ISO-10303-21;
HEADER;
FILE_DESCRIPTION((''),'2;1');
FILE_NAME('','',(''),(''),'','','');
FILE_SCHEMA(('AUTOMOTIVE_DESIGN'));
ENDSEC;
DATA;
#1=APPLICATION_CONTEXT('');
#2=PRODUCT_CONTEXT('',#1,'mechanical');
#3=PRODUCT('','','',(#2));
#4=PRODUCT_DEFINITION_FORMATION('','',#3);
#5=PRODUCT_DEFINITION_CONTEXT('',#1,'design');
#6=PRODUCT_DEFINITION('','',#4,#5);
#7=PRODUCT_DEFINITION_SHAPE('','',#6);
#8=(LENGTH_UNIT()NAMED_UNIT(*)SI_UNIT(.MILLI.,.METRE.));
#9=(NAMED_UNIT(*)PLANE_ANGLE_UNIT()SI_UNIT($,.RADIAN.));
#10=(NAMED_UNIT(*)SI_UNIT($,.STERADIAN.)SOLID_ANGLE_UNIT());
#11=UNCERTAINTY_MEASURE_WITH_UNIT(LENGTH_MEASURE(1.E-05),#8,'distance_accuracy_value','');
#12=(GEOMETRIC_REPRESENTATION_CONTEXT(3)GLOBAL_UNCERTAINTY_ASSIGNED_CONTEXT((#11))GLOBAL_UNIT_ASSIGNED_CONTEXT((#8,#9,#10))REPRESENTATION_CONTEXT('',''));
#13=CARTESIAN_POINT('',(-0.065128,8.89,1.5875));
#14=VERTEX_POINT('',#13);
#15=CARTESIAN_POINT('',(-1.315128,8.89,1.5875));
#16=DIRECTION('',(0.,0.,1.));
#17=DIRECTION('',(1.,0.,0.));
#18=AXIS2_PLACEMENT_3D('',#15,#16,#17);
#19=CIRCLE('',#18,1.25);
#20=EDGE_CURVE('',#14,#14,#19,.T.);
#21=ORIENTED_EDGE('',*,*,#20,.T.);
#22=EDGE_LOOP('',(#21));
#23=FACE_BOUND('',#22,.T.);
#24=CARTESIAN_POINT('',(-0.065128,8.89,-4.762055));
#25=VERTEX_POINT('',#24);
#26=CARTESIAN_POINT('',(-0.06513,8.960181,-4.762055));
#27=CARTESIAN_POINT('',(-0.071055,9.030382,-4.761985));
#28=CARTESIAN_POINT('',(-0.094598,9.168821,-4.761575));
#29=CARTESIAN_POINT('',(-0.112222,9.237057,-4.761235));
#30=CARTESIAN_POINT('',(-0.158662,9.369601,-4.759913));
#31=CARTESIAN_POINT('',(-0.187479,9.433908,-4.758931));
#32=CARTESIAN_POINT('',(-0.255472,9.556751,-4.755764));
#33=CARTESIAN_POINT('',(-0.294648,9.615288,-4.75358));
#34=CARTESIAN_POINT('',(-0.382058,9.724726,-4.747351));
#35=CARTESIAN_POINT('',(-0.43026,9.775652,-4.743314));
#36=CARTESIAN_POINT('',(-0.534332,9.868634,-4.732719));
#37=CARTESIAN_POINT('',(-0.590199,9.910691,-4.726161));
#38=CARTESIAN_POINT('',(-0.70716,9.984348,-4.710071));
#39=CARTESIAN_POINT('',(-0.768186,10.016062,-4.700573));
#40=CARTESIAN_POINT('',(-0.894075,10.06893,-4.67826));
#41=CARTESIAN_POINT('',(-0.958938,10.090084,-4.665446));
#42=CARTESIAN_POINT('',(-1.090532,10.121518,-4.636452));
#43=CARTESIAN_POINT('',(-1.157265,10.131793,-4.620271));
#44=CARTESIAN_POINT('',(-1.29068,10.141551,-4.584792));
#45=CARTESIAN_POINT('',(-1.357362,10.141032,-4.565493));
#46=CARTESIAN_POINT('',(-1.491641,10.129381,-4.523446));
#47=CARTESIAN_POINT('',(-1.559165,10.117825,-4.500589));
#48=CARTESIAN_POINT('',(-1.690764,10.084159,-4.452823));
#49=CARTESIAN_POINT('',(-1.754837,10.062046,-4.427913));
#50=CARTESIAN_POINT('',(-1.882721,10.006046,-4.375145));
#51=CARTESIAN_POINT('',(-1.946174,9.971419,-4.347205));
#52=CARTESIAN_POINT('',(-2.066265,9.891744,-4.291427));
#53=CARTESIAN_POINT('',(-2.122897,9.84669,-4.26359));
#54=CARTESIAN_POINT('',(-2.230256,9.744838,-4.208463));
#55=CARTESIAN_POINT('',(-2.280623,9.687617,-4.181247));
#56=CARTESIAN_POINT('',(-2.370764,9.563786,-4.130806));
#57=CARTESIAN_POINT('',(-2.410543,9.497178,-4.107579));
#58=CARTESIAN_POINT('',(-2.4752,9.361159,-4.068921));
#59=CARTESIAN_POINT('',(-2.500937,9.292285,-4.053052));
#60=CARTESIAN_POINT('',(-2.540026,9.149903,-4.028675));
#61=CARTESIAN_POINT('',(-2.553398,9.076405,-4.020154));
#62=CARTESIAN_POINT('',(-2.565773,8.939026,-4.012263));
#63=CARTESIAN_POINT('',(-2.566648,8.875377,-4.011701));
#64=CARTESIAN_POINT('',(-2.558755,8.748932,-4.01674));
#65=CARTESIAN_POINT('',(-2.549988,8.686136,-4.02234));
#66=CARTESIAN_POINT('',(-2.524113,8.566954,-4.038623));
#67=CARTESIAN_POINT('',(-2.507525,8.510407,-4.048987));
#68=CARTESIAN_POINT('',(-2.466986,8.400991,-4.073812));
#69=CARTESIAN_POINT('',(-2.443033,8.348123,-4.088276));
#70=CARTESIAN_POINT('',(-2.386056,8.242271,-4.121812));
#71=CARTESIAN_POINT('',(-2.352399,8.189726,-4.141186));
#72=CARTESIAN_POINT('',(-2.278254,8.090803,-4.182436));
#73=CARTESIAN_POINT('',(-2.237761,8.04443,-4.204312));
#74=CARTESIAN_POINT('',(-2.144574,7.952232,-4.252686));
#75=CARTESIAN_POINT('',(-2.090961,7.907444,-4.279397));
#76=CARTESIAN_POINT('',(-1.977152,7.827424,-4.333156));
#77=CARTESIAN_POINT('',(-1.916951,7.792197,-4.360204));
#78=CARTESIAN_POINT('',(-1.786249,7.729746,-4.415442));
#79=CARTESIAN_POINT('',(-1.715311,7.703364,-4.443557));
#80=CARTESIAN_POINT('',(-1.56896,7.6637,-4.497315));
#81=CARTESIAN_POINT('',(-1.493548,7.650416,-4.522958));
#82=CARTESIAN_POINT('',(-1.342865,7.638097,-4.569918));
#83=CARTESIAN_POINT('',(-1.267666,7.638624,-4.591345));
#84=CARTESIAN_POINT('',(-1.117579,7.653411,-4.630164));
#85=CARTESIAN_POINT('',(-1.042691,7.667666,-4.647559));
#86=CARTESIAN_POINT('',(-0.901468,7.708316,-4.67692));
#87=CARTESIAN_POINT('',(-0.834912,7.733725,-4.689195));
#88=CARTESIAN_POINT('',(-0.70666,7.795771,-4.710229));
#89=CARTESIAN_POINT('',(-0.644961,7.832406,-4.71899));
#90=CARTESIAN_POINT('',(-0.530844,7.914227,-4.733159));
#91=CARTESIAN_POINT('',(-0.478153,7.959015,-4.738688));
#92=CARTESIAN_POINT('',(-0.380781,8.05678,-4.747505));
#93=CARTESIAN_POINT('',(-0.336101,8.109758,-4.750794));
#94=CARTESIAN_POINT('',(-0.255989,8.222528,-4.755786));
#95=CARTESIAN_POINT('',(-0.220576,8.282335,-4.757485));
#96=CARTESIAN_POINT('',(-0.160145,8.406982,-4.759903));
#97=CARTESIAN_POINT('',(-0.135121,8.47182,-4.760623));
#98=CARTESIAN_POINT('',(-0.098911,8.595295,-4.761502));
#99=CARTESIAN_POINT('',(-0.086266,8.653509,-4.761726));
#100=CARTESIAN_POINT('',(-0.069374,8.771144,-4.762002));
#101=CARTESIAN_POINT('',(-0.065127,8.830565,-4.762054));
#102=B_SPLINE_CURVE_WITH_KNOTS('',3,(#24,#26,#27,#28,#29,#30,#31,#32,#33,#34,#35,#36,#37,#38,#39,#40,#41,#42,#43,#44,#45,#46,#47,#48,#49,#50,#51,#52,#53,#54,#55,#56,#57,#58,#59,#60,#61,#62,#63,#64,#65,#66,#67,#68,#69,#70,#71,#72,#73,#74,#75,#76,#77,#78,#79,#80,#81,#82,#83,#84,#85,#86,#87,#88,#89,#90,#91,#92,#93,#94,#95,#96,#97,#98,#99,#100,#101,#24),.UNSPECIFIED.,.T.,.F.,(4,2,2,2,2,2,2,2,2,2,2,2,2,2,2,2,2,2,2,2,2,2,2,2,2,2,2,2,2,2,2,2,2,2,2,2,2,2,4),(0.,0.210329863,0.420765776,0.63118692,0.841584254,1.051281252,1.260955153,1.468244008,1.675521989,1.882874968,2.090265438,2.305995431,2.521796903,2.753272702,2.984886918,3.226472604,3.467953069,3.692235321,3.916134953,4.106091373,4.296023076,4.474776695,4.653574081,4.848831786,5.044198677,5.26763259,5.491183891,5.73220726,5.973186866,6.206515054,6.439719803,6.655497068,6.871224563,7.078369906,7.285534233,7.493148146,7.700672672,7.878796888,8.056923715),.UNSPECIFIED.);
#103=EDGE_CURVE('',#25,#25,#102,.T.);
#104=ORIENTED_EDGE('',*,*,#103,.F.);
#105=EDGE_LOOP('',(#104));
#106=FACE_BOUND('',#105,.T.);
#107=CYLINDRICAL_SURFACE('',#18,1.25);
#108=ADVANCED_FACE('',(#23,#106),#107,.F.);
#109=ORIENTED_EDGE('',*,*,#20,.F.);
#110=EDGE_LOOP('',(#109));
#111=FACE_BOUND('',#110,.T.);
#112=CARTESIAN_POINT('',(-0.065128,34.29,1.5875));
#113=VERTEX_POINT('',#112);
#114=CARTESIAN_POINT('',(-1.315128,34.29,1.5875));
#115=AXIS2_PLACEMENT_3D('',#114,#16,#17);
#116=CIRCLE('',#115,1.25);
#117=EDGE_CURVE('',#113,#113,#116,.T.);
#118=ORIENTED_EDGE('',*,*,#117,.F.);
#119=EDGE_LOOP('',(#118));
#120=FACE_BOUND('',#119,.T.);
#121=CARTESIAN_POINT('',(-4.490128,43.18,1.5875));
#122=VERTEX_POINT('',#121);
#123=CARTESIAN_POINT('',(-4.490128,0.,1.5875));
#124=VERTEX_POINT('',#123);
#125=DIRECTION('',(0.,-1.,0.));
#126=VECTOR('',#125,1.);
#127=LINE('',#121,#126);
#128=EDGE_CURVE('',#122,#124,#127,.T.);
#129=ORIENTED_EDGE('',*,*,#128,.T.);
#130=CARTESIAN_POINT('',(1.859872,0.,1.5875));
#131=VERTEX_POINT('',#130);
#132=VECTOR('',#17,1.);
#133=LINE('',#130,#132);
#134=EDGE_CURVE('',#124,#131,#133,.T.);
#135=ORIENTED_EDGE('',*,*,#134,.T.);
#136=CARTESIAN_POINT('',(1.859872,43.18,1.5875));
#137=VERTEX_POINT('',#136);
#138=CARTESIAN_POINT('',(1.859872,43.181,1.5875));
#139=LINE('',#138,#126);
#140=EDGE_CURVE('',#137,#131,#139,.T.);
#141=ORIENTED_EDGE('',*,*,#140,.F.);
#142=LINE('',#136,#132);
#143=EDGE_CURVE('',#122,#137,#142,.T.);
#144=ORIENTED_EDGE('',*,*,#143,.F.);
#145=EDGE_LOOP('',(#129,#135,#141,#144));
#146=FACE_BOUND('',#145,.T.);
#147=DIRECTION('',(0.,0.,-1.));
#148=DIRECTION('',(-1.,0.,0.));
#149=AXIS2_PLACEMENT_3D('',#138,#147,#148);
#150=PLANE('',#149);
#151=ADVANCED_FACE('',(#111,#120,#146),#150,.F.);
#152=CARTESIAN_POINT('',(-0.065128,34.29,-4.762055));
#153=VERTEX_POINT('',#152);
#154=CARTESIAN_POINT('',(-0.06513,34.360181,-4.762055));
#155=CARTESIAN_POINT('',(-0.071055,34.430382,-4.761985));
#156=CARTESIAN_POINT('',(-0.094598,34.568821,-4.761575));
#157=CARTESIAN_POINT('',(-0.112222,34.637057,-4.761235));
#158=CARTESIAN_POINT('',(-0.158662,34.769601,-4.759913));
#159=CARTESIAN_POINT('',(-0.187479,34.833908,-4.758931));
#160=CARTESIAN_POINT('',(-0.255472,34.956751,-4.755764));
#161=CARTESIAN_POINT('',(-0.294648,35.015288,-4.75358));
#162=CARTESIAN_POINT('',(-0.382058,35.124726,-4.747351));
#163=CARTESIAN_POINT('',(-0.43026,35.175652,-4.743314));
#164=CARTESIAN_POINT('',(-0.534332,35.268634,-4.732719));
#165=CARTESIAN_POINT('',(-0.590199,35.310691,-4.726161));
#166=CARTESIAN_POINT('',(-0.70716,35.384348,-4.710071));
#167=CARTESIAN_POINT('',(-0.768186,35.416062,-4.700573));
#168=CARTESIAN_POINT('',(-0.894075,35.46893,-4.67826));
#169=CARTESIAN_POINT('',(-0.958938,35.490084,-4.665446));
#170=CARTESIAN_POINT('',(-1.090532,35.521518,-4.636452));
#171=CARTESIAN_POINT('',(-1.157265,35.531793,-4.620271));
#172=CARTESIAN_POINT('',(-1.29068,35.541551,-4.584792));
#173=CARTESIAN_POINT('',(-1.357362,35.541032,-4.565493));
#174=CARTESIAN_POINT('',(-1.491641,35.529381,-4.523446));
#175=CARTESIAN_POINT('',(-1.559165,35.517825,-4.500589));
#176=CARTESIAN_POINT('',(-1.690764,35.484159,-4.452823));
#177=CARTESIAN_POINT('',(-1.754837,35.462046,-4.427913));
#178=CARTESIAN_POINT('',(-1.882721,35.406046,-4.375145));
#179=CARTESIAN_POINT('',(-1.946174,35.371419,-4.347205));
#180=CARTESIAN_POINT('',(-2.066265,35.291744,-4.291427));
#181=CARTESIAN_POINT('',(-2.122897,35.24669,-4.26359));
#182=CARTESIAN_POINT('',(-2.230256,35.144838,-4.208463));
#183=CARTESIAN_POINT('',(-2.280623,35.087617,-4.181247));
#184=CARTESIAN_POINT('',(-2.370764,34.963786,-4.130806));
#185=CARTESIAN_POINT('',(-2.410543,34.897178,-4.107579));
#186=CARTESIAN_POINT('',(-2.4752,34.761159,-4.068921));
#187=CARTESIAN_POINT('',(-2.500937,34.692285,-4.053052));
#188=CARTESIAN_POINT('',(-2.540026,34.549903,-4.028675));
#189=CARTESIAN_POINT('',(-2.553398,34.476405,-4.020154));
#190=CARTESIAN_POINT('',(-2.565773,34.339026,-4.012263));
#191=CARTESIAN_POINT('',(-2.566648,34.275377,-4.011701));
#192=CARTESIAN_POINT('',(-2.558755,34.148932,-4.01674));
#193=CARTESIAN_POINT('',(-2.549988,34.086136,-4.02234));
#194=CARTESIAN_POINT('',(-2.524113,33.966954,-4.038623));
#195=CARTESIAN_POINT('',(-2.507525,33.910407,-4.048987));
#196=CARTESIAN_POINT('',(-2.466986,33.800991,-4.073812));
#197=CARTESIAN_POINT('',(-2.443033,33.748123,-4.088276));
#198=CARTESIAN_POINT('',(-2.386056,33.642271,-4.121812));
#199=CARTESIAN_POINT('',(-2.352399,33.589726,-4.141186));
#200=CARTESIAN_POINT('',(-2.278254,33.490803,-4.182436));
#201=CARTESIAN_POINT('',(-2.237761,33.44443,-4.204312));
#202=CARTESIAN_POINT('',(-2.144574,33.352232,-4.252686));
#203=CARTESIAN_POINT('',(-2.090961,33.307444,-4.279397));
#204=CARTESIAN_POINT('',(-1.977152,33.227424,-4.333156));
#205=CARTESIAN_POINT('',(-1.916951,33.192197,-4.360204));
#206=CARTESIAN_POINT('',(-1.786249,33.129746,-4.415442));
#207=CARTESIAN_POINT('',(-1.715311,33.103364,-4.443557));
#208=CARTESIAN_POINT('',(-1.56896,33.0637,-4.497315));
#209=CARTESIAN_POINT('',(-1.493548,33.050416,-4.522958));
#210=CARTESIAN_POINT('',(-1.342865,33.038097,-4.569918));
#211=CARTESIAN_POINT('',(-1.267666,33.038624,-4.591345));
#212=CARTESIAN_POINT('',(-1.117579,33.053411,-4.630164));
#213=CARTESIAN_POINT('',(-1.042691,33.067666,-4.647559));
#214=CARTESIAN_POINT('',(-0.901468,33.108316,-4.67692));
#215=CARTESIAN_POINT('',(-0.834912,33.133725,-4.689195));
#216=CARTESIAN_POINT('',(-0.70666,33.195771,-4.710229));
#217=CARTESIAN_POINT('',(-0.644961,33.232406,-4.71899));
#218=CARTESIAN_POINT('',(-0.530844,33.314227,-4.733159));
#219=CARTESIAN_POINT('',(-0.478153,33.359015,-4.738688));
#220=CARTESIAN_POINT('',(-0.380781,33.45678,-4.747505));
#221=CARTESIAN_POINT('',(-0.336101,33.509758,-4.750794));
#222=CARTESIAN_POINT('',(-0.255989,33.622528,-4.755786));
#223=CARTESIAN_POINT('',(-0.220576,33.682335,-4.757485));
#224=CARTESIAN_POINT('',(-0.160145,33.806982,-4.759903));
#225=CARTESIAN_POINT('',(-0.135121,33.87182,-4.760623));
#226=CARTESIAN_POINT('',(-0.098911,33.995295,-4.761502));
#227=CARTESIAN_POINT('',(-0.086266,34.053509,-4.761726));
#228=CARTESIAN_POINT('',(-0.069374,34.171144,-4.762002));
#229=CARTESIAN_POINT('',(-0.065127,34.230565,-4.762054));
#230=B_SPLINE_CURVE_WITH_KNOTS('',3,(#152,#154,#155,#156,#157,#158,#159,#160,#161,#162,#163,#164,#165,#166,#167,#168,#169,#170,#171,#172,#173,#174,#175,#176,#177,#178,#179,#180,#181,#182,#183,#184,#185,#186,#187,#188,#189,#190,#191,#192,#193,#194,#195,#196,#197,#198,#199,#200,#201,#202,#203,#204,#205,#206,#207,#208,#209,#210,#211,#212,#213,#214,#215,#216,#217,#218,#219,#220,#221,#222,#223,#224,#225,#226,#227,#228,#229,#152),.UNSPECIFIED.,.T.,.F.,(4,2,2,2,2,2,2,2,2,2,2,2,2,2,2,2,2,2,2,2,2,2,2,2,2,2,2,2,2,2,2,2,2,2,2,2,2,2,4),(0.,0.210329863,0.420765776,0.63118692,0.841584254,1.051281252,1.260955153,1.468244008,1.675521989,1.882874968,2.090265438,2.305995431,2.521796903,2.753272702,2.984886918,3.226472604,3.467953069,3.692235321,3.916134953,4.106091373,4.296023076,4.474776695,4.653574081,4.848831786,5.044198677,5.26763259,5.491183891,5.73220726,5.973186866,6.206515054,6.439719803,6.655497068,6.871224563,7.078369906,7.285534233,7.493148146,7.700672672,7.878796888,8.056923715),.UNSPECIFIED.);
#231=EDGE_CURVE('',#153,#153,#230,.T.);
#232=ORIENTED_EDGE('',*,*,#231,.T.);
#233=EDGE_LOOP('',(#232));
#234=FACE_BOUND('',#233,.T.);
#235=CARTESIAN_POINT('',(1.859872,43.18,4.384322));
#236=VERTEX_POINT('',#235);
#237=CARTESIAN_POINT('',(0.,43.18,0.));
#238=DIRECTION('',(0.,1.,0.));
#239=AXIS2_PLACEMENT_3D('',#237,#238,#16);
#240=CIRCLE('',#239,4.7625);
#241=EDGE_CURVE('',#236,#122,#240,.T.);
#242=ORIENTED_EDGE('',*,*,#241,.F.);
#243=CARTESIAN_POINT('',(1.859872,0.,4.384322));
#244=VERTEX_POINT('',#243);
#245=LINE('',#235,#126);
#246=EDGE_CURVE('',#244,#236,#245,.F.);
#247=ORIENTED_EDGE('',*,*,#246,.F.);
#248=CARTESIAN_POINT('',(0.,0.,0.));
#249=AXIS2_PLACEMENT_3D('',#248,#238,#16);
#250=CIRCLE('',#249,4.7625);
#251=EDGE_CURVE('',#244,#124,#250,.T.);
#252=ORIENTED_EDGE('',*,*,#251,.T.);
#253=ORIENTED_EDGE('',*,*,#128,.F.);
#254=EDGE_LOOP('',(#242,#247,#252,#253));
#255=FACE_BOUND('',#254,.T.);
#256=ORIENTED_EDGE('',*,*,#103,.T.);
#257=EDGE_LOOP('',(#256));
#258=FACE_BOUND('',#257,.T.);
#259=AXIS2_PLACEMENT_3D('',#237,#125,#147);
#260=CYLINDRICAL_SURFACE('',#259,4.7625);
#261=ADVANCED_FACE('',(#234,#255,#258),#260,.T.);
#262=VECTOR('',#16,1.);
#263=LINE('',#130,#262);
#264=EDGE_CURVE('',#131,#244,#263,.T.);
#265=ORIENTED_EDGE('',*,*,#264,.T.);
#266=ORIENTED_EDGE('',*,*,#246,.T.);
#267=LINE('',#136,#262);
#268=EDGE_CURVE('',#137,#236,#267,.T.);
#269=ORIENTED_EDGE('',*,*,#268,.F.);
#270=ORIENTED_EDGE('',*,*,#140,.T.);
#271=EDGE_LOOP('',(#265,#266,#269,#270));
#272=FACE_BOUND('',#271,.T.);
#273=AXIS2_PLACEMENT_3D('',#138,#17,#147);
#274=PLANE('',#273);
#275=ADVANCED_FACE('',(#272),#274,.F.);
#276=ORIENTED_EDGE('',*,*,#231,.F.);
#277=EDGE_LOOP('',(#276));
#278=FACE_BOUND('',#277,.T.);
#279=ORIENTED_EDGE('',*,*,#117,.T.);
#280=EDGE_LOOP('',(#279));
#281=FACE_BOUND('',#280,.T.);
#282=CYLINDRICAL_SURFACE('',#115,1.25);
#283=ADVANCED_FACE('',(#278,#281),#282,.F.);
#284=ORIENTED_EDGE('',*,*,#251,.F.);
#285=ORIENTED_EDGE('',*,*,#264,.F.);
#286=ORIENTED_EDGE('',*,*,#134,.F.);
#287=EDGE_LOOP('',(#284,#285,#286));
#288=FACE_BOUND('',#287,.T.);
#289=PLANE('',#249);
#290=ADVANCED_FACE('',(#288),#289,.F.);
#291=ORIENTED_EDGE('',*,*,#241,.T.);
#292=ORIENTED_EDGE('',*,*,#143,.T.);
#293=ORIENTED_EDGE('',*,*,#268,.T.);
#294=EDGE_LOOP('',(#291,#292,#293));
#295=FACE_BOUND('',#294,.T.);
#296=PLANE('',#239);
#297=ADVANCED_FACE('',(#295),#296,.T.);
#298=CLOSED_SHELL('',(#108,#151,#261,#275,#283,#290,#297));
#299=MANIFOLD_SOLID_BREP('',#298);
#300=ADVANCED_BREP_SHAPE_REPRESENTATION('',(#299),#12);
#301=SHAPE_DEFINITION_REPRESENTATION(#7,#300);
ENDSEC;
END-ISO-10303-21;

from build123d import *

# Parameters (mm, degrees)
PROFILE_SKETCH_R       = 4.7625
BOSS_EXTRUDE1_DEPTH    = 43.18
PLATE_RELIEF_CUT_REACH = 45.18
PLATE_RELIEF_SKETCH_W  = 6.35
PLATE_RELIEF_SKETCH_H  = 3.175
M3X0_5_TAPPED_HOLE1_D  = 2.5


with BuildPart() as part:
    # Profile Sketch → Boss-Extrude1 (new body)
    with BuildSketch(Plane(origin=(0, 0, 0), x_dir=(1, 0, 0), z_dir=(0, 1, 0))):
        Circle(PROFILE_SKETCH_R)
    extrude(amount=BOSS_EXTRUDE1_DEPTH)

    # Plate Relief Sketch → Plate Relief Cut (cut, up to next)
    with BuildSketch(Plane.XZ, mode=Mode.PRIVATE) as plate_relief_cut_sk1:
        with Locations((-1.315128061, 3.175)):
            Rectangle(PLATE_RELIEF_SKETCH_W, PLATE_RELIEF_SKETCH_H)
    plate_relief_cut_tool1 = extrude(plate_relief_cut_sk1.sketch, amount=-PLATE_RELIEF_CUT_REACH, mode=Mode.PRIVATE) & part.part
    add(plate_relief_cut_tool1.solids().sort_by_distance((-1.315128, 0, 3.175))[0], mode=Mode.SUBTRACT)

    # M3x0.5 Tapped Hole1 (through all)
    with Locations(Plane(origin=(-1.315128061, 34.29, 1.5875), x_dir=(1, 0, 0), z_dir=(0, 0, 1))):
        with Locations((0, 0), (0, -25.4)):
            Hole(M3X0_5_TAPPED_HOLE1_D / 2)


solid = part.part
